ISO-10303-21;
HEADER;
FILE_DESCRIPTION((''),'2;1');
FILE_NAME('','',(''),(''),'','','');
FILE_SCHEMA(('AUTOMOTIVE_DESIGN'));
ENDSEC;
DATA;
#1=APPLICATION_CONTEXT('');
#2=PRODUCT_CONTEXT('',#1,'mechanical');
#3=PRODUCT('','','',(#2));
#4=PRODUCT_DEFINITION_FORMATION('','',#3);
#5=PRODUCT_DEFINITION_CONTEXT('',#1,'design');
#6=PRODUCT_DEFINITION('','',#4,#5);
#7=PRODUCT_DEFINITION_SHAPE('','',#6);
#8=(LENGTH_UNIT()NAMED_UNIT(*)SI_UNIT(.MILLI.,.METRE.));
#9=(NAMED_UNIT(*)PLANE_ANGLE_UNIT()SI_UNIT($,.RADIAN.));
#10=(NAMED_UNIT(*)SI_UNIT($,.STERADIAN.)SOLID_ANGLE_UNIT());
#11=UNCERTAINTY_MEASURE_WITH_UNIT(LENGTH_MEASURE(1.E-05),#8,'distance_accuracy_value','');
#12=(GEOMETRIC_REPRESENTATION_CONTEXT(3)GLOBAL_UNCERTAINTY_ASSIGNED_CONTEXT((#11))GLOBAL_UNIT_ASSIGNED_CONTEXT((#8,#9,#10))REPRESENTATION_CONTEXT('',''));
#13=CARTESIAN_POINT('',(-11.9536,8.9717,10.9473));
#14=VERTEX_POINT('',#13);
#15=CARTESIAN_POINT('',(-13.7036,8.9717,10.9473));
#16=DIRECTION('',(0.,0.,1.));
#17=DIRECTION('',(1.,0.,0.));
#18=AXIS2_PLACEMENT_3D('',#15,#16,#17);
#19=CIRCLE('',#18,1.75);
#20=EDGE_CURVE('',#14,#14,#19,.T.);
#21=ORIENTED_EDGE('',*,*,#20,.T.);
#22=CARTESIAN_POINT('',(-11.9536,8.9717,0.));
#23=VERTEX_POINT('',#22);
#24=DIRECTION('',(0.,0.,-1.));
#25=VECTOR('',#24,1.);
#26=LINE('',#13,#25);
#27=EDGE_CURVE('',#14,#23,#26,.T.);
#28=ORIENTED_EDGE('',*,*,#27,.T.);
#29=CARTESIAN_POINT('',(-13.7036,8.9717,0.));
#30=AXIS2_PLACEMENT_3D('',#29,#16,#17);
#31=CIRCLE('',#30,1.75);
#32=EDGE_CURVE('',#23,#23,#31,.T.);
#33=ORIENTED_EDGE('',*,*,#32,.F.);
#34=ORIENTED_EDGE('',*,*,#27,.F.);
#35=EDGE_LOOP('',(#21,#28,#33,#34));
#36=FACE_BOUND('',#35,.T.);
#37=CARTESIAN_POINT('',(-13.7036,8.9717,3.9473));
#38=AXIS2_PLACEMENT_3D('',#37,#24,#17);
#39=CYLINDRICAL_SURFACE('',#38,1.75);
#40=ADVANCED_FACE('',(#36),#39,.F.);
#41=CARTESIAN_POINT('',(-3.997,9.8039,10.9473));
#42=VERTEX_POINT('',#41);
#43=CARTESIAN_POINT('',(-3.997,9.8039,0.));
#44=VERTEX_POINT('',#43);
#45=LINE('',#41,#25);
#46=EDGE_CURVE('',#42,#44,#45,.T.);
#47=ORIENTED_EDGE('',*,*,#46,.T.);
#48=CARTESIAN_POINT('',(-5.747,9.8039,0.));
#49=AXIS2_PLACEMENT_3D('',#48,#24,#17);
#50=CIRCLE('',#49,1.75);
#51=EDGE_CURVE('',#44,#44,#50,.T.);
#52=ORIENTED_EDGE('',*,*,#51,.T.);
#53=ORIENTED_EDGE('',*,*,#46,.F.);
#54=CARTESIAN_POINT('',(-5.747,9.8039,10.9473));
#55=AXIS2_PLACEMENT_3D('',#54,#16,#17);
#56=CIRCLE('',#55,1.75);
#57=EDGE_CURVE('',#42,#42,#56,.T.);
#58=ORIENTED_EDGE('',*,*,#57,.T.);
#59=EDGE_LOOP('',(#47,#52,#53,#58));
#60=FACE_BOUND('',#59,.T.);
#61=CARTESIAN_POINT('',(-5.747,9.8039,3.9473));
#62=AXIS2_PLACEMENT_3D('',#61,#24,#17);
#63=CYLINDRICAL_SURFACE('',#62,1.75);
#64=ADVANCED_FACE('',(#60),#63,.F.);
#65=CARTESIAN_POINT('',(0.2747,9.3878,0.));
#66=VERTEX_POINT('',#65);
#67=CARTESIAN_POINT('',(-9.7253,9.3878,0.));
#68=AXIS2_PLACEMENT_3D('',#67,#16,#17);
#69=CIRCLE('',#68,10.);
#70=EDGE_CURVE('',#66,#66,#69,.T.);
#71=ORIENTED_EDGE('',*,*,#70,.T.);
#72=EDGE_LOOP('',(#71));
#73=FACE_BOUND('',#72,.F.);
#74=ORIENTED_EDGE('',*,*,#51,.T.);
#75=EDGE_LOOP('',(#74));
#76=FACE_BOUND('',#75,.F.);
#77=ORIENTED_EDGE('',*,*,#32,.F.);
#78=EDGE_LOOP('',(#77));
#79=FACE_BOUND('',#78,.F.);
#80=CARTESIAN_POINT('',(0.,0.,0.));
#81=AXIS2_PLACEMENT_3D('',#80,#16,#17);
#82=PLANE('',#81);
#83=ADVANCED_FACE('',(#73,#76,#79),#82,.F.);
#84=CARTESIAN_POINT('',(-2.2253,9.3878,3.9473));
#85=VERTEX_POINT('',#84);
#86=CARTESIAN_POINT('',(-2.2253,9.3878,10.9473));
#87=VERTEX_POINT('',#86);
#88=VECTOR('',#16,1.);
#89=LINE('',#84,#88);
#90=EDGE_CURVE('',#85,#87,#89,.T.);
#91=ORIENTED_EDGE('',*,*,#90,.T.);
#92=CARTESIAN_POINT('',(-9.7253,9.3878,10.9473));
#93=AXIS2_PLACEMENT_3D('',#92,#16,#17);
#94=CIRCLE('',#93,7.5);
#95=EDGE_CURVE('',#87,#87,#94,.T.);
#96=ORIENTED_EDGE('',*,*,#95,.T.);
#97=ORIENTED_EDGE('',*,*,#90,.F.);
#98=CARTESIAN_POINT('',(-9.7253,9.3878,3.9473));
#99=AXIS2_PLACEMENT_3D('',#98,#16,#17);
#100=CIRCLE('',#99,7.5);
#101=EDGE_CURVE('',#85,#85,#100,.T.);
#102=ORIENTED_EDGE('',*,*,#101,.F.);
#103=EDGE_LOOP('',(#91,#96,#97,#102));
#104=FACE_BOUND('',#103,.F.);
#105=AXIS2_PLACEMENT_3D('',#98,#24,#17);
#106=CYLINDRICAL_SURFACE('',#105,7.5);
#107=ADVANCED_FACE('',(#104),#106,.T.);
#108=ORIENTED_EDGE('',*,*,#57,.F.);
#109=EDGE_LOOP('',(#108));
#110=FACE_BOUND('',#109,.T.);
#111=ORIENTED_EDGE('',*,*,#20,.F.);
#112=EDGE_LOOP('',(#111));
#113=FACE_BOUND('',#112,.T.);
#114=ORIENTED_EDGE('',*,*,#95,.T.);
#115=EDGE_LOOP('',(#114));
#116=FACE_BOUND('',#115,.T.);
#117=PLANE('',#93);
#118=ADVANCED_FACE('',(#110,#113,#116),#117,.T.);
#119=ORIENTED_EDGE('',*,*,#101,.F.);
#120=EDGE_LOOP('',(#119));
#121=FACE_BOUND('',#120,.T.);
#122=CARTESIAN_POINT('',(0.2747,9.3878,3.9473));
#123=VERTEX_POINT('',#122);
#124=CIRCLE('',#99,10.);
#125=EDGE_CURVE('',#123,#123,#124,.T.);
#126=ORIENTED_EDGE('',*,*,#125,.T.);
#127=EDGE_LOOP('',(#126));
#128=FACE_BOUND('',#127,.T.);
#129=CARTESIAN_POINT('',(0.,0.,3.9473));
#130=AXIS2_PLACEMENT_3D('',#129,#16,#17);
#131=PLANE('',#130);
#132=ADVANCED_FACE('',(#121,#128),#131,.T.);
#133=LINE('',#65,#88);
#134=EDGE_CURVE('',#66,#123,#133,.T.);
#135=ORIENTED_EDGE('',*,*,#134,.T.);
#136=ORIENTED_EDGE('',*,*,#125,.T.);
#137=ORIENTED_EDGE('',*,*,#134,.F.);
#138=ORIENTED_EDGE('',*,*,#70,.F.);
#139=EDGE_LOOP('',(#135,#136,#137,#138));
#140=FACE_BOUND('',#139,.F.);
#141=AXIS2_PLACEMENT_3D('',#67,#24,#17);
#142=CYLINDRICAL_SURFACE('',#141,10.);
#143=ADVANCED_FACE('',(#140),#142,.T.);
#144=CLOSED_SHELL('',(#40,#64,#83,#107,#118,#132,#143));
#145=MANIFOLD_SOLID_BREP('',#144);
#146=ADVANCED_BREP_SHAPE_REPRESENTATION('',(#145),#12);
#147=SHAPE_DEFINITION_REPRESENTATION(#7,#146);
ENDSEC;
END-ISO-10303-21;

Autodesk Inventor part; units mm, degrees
ref_plane "YZ Plane" through (0, 0, 0) normal (1, 0, 0) x (0, 1, 0)
ref_plane "XZ Plane" through (0, 0, 0) normal (0, 1, 0) x (-1, 0, 0)
ref_plane "XY Plane" through (0, 0, 0) normal (0, 0, 1) x (1, 0, 0)
sketch "Sketch1" plane through (0, 0, 0) normal (0, 0, 1) x (1, 0, 0)
  circle A0 centre (-5.747, 9.8039) radius 1.75
  circle A1 centre (-13.7036, 8.9717) radius 1.75
  line L0 (-5.747, 9.8039) -> (-13.7036, 8.9717) construction
  line L1 (-9.7253, 9.3878) -> (-8.5364, -1.9796) construction
  circle A2 centre (-9.7253, 9.3878) radius 10
  circle A3 centre (-9.4808, 7.9862) radius 7.5 projected
  circle A4 centre (-9.4808, 7.9862) radius 7.5 projected
  circle A5 centre (-13.4, 9.1649) radius 1.75 projected
  circle A6 centre (-13.4, 9.1649) radius 1.75 projected
  circle A7 centre (-5.8107, 9.7972) radius 1.75 projected
  circle A8 centre (-5.8107, 9.7972) radius 1.75 projected
  point P0 (0, 0)
  point P1 (-9.7132, 7.8251)
  dimension "d0" = 20
  dimension "d6" = 8
extrude "Extrusion1" add sketch "Sketch1" along normal blind 3.9473 contours A0 A7 | A1 A5 | A2 | A3 picked at (-7.5243, 9.6868) picked at (-12.1064, 10.1413)
sketch "Sketch2" plane through (-9.7253, 9.3878, 3.9473) normal (0, 0, 1) x (1, 0, 0)
  circle A0 centre (0, 0) radius 7.5
  circle A1 centre (3.9783, 0.4161) radius 1.75 projected
  circle A2 centre (3.9783, 0.4161) radius 1.75
  circle A3 centre (-3.9783, -0.4161) radius 1.75 projected
  circle A4 centre (-3.9783, -0.4161) radius 1.75
  point P0 (9.7253, -9.3878)
  dimension "d3" = 15
extrude "Extrusion2" add sketch "Sketch2" along normal blind 7
properties part number "Shaft-4"
